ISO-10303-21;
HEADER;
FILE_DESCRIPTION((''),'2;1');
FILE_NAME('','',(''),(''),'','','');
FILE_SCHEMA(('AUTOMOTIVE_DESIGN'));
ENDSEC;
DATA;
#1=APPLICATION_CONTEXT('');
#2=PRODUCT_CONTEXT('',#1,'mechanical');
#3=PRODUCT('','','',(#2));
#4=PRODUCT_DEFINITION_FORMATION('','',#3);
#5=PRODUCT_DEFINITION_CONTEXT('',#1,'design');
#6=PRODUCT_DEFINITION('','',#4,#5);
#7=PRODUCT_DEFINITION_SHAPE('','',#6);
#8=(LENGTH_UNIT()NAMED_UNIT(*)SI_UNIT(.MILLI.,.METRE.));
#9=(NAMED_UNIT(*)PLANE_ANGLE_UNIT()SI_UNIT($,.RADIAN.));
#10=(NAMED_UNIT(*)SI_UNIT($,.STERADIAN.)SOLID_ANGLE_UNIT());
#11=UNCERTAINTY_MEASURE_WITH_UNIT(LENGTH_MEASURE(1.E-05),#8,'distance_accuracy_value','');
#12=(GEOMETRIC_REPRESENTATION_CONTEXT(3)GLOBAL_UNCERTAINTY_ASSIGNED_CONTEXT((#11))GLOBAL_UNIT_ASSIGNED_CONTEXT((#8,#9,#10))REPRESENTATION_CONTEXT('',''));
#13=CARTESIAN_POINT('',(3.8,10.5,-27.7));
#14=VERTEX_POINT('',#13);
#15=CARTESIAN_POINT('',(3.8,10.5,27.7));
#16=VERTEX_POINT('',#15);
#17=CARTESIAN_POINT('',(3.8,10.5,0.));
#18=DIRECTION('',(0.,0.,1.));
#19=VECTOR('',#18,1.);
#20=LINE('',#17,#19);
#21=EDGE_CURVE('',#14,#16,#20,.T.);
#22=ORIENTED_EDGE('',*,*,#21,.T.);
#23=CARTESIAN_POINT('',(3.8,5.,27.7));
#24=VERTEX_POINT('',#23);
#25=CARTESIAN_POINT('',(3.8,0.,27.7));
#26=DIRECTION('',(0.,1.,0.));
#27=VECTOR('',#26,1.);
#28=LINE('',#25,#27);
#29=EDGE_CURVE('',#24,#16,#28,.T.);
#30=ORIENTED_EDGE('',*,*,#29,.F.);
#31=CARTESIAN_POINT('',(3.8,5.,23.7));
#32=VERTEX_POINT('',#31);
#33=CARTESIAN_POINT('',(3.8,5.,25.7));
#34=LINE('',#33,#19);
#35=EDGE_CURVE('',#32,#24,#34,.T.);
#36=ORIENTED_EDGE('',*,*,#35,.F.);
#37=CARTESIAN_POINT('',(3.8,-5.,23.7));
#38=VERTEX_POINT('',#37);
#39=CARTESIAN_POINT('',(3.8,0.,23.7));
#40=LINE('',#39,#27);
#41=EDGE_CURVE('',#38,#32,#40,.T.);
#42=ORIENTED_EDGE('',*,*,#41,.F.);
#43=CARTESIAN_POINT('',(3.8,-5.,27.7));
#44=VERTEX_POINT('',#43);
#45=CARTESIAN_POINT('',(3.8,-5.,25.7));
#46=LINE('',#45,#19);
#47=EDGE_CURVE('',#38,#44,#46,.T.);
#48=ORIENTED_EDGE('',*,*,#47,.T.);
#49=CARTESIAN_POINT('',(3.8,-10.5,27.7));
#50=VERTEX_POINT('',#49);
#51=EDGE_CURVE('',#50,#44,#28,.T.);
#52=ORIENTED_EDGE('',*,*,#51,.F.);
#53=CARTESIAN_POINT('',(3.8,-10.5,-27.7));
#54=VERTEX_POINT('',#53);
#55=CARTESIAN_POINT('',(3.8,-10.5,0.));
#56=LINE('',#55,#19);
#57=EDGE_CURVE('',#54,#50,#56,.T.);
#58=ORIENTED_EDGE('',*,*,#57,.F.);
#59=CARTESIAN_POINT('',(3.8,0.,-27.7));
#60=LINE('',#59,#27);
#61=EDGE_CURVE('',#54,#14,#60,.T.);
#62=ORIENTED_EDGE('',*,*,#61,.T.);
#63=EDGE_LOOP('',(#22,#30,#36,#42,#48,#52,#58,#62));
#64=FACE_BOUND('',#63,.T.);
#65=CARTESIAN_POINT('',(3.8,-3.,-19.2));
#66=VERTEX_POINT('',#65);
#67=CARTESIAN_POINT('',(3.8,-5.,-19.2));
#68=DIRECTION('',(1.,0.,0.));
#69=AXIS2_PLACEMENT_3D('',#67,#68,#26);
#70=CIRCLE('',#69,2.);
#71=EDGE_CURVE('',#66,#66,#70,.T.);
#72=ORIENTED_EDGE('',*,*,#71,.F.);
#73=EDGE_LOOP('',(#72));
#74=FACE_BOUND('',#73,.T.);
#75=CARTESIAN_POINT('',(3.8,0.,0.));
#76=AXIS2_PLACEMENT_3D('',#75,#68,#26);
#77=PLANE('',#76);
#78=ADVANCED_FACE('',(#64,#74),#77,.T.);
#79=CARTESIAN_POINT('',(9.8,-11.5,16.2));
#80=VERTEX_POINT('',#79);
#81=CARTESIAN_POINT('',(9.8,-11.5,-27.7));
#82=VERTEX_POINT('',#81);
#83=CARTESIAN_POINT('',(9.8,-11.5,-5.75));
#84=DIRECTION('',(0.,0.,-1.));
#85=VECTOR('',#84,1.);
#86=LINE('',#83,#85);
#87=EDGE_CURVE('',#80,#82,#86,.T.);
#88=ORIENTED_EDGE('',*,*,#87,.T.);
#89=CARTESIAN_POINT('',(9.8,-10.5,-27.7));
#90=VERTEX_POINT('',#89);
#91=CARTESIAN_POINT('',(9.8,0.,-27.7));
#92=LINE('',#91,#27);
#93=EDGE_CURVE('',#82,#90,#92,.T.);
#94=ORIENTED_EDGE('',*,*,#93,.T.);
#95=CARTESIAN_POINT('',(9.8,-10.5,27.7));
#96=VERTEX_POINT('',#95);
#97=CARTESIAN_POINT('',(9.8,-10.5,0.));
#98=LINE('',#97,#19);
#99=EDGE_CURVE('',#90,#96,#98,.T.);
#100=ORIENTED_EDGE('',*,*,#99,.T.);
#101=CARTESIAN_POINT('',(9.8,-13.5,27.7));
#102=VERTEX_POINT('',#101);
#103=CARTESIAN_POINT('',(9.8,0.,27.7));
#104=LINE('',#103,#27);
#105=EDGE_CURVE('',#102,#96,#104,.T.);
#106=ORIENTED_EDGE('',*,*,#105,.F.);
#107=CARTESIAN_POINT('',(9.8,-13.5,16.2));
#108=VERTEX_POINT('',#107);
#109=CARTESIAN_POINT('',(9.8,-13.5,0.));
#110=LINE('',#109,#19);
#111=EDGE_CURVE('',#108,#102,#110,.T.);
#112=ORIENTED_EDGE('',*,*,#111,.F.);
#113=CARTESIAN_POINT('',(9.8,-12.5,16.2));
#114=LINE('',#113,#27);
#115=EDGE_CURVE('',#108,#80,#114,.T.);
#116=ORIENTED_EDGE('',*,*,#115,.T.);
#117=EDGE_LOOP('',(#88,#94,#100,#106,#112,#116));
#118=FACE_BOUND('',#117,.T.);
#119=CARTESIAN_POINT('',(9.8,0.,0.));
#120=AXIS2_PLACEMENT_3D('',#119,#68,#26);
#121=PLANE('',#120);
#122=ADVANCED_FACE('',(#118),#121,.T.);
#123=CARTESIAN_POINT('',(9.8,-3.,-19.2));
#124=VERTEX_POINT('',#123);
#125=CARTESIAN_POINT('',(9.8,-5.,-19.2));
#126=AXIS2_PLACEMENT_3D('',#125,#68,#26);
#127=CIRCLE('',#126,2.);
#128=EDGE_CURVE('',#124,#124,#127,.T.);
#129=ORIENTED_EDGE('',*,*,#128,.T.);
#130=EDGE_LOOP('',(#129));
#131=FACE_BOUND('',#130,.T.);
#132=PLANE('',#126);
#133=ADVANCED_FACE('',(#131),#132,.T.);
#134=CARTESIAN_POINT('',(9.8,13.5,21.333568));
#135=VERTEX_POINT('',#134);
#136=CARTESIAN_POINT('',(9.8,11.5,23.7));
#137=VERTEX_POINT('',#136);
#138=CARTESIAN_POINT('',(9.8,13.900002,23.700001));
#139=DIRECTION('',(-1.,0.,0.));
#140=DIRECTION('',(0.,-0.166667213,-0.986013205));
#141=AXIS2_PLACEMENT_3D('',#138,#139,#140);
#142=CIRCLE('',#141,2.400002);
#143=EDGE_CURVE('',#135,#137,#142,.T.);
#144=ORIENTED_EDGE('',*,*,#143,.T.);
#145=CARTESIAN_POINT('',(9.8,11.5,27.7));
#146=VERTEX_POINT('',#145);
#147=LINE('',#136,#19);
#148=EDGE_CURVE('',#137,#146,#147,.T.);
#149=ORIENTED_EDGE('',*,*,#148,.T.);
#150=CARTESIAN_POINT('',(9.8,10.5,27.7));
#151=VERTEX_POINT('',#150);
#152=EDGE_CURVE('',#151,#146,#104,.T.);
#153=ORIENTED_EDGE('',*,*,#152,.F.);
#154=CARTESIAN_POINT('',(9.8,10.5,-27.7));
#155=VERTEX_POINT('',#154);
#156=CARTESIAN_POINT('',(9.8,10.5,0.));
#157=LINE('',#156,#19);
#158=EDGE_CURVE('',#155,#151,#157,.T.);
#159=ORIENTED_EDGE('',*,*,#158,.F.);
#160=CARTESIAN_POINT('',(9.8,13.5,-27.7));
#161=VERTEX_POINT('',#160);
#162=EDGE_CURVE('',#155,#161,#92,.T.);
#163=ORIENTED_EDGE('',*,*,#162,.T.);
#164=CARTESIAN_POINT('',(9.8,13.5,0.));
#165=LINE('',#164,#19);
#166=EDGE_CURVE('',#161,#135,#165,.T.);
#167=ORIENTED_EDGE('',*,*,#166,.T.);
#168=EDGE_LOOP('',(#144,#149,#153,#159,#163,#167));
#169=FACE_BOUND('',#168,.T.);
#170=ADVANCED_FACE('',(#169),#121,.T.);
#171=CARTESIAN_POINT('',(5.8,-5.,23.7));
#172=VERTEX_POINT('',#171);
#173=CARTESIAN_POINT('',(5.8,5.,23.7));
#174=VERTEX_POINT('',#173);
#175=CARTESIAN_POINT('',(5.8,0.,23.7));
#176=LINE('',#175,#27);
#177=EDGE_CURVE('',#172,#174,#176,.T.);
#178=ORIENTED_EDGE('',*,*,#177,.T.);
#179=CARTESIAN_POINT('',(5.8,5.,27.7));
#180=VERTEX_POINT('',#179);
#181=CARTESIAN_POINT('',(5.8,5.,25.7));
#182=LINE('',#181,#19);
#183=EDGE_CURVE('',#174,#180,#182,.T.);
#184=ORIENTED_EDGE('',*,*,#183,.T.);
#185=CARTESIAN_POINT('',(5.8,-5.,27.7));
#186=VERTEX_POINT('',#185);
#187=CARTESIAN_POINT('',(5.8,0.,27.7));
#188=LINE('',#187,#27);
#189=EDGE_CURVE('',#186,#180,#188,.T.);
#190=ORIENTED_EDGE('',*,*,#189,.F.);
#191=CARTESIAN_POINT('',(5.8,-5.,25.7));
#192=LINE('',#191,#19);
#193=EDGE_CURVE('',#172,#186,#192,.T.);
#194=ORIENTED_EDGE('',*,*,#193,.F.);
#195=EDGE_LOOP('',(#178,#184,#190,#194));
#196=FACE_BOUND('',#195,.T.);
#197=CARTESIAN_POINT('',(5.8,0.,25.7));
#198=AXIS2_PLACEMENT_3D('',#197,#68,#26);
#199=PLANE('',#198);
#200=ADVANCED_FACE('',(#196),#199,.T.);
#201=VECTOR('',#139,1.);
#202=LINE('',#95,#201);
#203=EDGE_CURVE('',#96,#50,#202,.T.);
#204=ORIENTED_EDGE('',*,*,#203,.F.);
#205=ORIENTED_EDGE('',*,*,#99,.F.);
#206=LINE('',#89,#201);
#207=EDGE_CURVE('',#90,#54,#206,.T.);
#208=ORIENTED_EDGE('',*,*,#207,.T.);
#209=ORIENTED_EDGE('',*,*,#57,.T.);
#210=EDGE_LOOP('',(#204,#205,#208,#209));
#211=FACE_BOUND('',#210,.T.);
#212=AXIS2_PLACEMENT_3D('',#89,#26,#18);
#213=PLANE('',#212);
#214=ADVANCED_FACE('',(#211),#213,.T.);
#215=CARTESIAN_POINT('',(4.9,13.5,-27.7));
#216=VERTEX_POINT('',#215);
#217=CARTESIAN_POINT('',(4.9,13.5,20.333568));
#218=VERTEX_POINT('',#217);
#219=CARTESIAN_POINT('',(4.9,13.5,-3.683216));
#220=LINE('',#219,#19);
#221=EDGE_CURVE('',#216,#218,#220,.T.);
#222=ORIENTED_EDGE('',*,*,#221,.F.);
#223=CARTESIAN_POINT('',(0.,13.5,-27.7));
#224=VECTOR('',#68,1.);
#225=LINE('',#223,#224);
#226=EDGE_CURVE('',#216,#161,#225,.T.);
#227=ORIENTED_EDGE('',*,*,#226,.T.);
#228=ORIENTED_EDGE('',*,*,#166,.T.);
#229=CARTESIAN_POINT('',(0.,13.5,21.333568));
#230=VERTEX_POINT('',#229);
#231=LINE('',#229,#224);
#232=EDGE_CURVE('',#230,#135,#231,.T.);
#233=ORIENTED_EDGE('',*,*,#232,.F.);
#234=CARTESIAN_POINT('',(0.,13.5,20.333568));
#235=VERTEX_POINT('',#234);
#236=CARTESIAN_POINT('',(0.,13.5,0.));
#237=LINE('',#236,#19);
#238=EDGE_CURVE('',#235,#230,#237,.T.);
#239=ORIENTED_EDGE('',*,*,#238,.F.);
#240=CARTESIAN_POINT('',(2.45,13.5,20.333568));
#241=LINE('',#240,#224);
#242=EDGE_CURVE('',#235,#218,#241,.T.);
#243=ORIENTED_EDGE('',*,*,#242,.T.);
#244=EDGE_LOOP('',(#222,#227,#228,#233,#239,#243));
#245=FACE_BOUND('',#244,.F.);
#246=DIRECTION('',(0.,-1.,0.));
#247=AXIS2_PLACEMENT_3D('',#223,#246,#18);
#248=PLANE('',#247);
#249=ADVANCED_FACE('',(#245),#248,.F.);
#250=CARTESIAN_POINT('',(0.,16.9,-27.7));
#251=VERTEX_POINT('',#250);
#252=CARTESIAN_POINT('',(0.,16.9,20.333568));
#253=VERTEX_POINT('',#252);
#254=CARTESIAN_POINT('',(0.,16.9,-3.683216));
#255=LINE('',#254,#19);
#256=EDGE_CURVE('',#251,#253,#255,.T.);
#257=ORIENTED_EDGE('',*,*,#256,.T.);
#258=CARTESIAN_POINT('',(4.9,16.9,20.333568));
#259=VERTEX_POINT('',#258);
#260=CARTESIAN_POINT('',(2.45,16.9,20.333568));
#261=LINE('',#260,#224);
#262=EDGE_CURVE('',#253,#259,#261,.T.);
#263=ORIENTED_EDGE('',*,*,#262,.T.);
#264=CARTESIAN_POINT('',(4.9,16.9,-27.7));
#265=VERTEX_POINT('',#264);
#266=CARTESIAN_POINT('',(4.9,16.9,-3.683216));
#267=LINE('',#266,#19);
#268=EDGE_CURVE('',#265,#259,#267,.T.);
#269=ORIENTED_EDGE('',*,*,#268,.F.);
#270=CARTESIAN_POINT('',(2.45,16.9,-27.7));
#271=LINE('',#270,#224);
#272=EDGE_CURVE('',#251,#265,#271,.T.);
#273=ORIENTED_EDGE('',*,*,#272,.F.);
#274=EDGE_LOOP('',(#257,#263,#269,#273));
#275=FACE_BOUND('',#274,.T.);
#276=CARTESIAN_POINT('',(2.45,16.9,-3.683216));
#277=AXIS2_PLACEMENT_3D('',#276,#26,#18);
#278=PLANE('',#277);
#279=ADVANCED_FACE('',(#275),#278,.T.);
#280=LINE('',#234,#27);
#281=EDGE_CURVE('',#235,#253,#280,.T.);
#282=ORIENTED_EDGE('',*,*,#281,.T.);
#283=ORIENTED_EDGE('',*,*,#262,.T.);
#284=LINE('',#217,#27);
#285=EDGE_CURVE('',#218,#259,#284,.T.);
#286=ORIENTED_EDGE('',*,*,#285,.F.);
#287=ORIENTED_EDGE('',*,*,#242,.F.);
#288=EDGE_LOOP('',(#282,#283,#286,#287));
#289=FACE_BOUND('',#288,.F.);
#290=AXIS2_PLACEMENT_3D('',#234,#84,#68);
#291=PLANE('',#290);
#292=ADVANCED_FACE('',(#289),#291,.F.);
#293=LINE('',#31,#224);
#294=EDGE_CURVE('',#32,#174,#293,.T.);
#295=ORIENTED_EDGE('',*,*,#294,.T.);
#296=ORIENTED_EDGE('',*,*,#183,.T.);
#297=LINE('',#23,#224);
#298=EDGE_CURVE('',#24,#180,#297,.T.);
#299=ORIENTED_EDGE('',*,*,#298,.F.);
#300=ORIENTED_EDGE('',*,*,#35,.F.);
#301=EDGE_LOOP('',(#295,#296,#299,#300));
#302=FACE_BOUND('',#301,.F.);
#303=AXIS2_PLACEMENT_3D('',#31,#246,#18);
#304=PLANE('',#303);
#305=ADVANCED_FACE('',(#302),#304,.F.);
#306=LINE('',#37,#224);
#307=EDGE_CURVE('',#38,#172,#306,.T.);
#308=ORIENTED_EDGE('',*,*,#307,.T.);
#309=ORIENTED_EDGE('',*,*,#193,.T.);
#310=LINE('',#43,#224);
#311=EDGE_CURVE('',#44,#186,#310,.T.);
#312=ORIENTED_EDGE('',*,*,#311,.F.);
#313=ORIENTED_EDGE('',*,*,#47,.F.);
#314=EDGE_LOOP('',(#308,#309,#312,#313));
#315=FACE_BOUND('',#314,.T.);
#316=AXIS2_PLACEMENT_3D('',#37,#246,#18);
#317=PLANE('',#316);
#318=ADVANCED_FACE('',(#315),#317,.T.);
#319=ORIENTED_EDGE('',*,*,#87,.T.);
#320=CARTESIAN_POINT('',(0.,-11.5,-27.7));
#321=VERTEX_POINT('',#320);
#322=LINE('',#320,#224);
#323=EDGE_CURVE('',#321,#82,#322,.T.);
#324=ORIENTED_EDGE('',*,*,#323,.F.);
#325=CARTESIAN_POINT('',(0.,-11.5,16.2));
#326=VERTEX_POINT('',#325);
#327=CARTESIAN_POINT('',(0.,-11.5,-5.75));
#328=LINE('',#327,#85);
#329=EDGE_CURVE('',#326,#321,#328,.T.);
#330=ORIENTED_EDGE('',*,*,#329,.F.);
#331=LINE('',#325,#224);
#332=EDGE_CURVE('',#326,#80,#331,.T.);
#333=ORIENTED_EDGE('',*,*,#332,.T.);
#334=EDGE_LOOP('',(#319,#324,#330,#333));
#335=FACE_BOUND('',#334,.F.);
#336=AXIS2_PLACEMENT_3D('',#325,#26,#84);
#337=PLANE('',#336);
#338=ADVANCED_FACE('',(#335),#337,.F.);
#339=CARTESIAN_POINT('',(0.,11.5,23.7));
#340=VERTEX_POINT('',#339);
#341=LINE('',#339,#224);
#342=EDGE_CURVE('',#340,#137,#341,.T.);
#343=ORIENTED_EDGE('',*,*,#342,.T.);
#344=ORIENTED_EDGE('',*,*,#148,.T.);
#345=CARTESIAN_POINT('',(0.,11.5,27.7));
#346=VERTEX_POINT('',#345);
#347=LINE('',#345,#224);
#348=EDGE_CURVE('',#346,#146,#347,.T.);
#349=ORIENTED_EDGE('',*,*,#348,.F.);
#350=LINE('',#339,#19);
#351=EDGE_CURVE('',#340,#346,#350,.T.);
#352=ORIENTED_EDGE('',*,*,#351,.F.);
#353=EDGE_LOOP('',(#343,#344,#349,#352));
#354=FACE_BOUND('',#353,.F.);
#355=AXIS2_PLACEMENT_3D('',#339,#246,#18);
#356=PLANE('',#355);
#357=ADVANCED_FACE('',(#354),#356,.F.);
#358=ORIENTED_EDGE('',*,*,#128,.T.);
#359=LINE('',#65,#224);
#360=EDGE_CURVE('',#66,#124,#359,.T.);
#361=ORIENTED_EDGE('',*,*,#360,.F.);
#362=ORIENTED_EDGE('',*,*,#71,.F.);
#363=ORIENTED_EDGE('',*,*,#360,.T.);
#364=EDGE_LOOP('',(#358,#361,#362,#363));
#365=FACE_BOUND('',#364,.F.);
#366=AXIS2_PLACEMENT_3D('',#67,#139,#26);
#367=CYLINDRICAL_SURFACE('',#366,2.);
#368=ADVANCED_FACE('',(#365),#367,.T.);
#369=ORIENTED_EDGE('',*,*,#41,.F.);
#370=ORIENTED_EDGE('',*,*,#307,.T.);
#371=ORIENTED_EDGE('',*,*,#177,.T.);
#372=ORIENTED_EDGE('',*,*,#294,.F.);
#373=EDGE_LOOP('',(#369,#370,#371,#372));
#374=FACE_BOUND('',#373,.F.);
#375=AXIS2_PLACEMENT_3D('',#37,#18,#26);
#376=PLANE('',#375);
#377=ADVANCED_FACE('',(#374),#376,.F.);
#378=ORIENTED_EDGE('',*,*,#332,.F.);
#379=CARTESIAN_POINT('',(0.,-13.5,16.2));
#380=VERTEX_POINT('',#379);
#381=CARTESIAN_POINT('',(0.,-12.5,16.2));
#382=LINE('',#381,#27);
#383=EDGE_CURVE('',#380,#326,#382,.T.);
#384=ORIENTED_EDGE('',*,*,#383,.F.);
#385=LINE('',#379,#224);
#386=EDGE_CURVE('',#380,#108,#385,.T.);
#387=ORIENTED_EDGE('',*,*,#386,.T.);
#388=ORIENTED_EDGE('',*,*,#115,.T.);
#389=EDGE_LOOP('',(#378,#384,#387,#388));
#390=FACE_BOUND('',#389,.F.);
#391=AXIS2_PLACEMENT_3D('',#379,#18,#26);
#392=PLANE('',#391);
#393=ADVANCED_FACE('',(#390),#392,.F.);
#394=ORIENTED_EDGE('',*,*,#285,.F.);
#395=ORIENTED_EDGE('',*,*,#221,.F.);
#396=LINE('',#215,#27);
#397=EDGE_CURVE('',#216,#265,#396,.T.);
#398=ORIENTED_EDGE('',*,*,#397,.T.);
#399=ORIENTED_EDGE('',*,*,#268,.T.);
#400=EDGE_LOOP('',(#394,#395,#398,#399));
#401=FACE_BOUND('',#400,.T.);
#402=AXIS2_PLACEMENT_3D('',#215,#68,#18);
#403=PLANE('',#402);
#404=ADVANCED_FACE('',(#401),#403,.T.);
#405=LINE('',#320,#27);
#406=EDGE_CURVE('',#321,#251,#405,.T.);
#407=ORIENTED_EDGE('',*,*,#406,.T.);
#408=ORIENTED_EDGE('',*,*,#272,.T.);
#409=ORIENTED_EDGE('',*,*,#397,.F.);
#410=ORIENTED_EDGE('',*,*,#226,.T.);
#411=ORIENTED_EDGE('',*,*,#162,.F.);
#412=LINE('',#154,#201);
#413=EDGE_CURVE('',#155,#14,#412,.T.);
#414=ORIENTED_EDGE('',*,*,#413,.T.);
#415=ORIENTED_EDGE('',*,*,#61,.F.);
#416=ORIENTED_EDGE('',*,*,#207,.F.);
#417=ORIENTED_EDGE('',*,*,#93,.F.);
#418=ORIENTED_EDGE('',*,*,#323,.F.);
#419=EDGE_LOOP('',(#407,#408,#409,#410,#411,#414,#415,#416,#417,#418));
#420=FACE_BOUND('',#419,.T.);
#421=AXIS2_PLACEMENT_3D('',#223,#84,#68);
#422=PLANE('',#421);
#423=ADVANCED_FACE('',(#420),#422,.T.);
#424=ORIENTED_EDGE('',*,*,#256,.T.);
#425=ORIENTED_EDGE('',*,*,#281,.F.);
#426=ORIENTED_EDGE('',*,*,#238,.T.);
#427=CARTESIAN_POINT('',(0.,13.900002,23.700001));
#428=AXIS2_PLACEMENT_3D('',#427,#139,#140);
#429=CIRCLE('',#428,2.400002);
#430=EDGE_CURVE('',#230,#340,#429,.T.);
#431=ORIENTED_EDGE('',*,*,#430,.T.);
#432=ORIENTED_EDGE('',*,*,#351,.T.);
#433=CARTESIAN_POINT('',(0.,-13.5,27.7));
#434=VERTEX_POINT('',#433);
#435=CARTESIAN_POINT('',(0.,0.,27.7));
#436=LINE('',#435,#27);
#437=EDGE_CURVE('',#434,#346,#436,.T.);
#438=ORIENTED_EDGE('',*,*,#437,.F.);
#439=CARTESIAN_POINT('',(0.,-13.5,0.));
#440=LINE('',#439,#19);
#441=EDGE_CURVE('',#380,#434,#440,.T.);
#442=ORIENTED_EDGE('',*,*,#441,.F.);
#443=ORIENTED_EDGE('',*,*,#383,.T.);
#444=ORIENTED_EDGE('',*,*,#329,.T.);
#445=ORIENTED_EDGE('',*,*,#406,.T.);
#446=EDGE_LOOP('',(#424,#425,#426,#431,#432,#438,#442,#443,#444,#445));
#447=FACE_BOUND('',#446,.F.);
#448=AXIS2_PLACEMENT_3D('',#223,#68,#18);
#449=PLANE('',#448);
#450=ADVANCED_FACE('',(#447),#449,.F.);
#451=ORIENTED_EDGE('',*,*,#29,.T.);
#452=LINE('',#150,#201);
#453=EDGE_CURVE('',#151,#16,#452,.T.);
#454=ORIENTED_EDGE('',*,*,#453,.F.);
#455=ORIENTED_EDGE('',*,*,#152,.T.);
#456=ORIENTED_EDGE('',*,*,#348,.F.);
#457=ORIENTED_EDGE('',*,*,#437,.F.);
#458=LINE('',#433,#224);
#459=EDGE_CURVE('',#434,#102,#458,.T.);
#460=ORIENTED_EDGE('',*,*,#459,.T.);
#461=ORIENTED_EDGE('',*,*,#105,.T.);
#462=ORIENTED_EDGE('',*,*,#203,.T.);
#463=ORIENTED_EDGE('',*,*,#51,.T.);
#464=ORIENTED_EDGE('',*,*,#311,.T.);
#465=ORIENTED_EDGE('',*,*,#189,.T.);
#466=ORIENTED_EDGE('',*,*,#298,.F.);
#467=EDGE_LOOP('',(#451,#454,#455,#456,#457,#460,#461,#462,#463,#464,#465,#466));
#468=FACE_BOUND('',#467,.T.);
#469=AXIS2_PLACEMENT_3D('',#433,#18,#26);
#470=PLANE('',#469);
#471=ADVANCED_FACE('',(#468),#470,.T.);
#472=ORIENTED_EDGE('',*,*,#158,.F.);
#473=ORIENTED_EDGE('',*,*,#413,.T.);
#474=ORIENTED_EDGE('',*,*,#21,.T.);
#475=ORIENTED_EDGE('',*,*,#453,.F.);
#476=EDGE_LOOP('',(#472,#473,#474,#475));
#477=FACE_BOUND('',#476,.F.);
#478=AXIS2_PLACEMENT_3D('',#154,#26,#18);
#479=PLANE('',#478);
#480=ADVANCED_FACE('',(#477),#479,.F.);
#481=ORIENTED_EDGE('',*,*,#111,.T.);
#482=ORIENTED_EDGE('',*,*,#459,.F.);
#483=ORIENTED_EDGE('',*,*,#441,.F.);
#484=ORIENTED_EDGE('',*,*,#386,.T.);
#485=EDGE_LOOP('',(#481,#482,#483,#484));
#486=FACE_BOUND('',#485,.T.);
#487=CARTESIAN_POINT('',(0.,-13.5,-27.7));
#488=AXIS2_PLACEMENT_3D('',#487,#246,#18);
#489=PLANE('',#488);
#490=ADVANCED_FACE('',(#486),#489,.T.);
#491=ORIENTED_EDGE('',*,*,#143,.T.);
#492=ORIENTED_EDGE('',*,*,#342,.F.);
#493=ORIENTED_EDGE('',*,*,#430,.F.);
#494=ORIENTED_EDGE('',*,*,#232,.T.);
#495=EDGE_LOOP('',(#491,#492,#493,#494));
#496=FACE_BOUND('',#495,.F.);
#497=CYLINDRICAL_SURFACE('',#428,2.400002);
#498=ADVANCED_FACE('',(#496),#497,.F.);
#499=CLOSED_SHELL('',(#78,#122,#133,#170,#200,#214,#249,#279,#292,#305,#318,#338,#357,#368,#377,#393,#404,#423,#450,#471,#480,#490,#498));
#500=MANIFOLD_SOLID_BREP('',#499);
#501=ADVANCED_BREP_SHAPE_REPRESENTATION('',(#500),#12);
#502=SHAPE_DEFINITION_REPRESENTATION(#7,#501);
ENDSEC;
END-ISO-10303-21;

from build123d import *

# Parameters (mm, degrees)
SKETCH024_W     = 27
SKETCH024_H     = 55.4
PAD006_DEPTH    = 9.8
SKETCH025_W     = 21
SKETCH025_H     = 55.4
POCKET022_DEPTH = 6
SKETCH026_W     = 10
SKETCH026_H     = 4
PAD007_DEPTH    = 2
SKETCH027_R     = 2
PAD008_DEPTH    = 6
SKETCH028_W     = 2
SKETCH028_H     = 43.9
POCKET023_DEPTH = 9.8
SKETCH029_W     = 48.033568
SKETCH029_H     = 4.9
PAD009_DEPTH    = 3.4


with BuildPart() as part:
    # Sketch024 → Pad006 (new body)
    with BuildSketch(Plane.YZ):
        Rectangle(SKETCH024_W, SKETCH024_H)
    extrude(amount=PAD006_DEPTH)

    # Sketch025 (on Face6 of Pad006) → Pocket022 (cut)
    with BuildSketch(Plane.YZ.offset(9.8)):
        Rectangle(SKETCH025_W, SKETCH025_H)
    extrude(amount=-POCKET022_DEPTH, mode=Mode.SUBTRACT)

    # Sketch026 (on Face6 of Pocket022) → Pad007 (join)
    with BuildSketch(Plane.YZ.offset(3.8)):
        with Locations((0, 25.7)):
            Rectangle(SKETCH026_W, SKETCH026_H)
    extrude(amount=PAD007_DEPTH)

    # Sketch027 (on Face6 of Pad007) → Pad008 (join)
    with BuildSketch(Plane.YZ.offset(3.8)):
        with Locations((-5, -19.2)):
            Circle(SKETCH027_R)
    extrude(amount=PAD008_DEPTH)

    # Sketch028 (on Face2 of Pad008) → Pocket023 (cut)
    with BuildSketch(Plane(origin=(0, 0, 0), x_dir=(0, 1, 0), z_dir=(-1, 0, 0))):
        with Locations((-12.5, 5.75)):
            Rectangle(SKETCH028_W, SKETCH028_H)
        with BuildLine():
            ThreePointArc((13.5, -21.333568), (12.06697, -22.150807), (11.5, -23.7))
            Line((11.5, -23.7), (11.5, -27.7))
            Line((11.5, -27.7), (13.5, -27.7))
            Line((13.5, -27.7), (13.5, -21.333568))
        make_face()
    extrude(amount=-POCKET023_DEPTH, mode=Mode.SUBTRACT)

    # Sketch029 (on Face3 of Pocket023) → Pad009 (join)
    with BuildSketch(Plane.ZX.offset(13.5)):
        with Locations((-3.683216, 2.45)):
            Rectangle(SKETCH029_W, SKETCH029_H)
    extrude(amount=PAD009_DEPTH)


solid = part.part
